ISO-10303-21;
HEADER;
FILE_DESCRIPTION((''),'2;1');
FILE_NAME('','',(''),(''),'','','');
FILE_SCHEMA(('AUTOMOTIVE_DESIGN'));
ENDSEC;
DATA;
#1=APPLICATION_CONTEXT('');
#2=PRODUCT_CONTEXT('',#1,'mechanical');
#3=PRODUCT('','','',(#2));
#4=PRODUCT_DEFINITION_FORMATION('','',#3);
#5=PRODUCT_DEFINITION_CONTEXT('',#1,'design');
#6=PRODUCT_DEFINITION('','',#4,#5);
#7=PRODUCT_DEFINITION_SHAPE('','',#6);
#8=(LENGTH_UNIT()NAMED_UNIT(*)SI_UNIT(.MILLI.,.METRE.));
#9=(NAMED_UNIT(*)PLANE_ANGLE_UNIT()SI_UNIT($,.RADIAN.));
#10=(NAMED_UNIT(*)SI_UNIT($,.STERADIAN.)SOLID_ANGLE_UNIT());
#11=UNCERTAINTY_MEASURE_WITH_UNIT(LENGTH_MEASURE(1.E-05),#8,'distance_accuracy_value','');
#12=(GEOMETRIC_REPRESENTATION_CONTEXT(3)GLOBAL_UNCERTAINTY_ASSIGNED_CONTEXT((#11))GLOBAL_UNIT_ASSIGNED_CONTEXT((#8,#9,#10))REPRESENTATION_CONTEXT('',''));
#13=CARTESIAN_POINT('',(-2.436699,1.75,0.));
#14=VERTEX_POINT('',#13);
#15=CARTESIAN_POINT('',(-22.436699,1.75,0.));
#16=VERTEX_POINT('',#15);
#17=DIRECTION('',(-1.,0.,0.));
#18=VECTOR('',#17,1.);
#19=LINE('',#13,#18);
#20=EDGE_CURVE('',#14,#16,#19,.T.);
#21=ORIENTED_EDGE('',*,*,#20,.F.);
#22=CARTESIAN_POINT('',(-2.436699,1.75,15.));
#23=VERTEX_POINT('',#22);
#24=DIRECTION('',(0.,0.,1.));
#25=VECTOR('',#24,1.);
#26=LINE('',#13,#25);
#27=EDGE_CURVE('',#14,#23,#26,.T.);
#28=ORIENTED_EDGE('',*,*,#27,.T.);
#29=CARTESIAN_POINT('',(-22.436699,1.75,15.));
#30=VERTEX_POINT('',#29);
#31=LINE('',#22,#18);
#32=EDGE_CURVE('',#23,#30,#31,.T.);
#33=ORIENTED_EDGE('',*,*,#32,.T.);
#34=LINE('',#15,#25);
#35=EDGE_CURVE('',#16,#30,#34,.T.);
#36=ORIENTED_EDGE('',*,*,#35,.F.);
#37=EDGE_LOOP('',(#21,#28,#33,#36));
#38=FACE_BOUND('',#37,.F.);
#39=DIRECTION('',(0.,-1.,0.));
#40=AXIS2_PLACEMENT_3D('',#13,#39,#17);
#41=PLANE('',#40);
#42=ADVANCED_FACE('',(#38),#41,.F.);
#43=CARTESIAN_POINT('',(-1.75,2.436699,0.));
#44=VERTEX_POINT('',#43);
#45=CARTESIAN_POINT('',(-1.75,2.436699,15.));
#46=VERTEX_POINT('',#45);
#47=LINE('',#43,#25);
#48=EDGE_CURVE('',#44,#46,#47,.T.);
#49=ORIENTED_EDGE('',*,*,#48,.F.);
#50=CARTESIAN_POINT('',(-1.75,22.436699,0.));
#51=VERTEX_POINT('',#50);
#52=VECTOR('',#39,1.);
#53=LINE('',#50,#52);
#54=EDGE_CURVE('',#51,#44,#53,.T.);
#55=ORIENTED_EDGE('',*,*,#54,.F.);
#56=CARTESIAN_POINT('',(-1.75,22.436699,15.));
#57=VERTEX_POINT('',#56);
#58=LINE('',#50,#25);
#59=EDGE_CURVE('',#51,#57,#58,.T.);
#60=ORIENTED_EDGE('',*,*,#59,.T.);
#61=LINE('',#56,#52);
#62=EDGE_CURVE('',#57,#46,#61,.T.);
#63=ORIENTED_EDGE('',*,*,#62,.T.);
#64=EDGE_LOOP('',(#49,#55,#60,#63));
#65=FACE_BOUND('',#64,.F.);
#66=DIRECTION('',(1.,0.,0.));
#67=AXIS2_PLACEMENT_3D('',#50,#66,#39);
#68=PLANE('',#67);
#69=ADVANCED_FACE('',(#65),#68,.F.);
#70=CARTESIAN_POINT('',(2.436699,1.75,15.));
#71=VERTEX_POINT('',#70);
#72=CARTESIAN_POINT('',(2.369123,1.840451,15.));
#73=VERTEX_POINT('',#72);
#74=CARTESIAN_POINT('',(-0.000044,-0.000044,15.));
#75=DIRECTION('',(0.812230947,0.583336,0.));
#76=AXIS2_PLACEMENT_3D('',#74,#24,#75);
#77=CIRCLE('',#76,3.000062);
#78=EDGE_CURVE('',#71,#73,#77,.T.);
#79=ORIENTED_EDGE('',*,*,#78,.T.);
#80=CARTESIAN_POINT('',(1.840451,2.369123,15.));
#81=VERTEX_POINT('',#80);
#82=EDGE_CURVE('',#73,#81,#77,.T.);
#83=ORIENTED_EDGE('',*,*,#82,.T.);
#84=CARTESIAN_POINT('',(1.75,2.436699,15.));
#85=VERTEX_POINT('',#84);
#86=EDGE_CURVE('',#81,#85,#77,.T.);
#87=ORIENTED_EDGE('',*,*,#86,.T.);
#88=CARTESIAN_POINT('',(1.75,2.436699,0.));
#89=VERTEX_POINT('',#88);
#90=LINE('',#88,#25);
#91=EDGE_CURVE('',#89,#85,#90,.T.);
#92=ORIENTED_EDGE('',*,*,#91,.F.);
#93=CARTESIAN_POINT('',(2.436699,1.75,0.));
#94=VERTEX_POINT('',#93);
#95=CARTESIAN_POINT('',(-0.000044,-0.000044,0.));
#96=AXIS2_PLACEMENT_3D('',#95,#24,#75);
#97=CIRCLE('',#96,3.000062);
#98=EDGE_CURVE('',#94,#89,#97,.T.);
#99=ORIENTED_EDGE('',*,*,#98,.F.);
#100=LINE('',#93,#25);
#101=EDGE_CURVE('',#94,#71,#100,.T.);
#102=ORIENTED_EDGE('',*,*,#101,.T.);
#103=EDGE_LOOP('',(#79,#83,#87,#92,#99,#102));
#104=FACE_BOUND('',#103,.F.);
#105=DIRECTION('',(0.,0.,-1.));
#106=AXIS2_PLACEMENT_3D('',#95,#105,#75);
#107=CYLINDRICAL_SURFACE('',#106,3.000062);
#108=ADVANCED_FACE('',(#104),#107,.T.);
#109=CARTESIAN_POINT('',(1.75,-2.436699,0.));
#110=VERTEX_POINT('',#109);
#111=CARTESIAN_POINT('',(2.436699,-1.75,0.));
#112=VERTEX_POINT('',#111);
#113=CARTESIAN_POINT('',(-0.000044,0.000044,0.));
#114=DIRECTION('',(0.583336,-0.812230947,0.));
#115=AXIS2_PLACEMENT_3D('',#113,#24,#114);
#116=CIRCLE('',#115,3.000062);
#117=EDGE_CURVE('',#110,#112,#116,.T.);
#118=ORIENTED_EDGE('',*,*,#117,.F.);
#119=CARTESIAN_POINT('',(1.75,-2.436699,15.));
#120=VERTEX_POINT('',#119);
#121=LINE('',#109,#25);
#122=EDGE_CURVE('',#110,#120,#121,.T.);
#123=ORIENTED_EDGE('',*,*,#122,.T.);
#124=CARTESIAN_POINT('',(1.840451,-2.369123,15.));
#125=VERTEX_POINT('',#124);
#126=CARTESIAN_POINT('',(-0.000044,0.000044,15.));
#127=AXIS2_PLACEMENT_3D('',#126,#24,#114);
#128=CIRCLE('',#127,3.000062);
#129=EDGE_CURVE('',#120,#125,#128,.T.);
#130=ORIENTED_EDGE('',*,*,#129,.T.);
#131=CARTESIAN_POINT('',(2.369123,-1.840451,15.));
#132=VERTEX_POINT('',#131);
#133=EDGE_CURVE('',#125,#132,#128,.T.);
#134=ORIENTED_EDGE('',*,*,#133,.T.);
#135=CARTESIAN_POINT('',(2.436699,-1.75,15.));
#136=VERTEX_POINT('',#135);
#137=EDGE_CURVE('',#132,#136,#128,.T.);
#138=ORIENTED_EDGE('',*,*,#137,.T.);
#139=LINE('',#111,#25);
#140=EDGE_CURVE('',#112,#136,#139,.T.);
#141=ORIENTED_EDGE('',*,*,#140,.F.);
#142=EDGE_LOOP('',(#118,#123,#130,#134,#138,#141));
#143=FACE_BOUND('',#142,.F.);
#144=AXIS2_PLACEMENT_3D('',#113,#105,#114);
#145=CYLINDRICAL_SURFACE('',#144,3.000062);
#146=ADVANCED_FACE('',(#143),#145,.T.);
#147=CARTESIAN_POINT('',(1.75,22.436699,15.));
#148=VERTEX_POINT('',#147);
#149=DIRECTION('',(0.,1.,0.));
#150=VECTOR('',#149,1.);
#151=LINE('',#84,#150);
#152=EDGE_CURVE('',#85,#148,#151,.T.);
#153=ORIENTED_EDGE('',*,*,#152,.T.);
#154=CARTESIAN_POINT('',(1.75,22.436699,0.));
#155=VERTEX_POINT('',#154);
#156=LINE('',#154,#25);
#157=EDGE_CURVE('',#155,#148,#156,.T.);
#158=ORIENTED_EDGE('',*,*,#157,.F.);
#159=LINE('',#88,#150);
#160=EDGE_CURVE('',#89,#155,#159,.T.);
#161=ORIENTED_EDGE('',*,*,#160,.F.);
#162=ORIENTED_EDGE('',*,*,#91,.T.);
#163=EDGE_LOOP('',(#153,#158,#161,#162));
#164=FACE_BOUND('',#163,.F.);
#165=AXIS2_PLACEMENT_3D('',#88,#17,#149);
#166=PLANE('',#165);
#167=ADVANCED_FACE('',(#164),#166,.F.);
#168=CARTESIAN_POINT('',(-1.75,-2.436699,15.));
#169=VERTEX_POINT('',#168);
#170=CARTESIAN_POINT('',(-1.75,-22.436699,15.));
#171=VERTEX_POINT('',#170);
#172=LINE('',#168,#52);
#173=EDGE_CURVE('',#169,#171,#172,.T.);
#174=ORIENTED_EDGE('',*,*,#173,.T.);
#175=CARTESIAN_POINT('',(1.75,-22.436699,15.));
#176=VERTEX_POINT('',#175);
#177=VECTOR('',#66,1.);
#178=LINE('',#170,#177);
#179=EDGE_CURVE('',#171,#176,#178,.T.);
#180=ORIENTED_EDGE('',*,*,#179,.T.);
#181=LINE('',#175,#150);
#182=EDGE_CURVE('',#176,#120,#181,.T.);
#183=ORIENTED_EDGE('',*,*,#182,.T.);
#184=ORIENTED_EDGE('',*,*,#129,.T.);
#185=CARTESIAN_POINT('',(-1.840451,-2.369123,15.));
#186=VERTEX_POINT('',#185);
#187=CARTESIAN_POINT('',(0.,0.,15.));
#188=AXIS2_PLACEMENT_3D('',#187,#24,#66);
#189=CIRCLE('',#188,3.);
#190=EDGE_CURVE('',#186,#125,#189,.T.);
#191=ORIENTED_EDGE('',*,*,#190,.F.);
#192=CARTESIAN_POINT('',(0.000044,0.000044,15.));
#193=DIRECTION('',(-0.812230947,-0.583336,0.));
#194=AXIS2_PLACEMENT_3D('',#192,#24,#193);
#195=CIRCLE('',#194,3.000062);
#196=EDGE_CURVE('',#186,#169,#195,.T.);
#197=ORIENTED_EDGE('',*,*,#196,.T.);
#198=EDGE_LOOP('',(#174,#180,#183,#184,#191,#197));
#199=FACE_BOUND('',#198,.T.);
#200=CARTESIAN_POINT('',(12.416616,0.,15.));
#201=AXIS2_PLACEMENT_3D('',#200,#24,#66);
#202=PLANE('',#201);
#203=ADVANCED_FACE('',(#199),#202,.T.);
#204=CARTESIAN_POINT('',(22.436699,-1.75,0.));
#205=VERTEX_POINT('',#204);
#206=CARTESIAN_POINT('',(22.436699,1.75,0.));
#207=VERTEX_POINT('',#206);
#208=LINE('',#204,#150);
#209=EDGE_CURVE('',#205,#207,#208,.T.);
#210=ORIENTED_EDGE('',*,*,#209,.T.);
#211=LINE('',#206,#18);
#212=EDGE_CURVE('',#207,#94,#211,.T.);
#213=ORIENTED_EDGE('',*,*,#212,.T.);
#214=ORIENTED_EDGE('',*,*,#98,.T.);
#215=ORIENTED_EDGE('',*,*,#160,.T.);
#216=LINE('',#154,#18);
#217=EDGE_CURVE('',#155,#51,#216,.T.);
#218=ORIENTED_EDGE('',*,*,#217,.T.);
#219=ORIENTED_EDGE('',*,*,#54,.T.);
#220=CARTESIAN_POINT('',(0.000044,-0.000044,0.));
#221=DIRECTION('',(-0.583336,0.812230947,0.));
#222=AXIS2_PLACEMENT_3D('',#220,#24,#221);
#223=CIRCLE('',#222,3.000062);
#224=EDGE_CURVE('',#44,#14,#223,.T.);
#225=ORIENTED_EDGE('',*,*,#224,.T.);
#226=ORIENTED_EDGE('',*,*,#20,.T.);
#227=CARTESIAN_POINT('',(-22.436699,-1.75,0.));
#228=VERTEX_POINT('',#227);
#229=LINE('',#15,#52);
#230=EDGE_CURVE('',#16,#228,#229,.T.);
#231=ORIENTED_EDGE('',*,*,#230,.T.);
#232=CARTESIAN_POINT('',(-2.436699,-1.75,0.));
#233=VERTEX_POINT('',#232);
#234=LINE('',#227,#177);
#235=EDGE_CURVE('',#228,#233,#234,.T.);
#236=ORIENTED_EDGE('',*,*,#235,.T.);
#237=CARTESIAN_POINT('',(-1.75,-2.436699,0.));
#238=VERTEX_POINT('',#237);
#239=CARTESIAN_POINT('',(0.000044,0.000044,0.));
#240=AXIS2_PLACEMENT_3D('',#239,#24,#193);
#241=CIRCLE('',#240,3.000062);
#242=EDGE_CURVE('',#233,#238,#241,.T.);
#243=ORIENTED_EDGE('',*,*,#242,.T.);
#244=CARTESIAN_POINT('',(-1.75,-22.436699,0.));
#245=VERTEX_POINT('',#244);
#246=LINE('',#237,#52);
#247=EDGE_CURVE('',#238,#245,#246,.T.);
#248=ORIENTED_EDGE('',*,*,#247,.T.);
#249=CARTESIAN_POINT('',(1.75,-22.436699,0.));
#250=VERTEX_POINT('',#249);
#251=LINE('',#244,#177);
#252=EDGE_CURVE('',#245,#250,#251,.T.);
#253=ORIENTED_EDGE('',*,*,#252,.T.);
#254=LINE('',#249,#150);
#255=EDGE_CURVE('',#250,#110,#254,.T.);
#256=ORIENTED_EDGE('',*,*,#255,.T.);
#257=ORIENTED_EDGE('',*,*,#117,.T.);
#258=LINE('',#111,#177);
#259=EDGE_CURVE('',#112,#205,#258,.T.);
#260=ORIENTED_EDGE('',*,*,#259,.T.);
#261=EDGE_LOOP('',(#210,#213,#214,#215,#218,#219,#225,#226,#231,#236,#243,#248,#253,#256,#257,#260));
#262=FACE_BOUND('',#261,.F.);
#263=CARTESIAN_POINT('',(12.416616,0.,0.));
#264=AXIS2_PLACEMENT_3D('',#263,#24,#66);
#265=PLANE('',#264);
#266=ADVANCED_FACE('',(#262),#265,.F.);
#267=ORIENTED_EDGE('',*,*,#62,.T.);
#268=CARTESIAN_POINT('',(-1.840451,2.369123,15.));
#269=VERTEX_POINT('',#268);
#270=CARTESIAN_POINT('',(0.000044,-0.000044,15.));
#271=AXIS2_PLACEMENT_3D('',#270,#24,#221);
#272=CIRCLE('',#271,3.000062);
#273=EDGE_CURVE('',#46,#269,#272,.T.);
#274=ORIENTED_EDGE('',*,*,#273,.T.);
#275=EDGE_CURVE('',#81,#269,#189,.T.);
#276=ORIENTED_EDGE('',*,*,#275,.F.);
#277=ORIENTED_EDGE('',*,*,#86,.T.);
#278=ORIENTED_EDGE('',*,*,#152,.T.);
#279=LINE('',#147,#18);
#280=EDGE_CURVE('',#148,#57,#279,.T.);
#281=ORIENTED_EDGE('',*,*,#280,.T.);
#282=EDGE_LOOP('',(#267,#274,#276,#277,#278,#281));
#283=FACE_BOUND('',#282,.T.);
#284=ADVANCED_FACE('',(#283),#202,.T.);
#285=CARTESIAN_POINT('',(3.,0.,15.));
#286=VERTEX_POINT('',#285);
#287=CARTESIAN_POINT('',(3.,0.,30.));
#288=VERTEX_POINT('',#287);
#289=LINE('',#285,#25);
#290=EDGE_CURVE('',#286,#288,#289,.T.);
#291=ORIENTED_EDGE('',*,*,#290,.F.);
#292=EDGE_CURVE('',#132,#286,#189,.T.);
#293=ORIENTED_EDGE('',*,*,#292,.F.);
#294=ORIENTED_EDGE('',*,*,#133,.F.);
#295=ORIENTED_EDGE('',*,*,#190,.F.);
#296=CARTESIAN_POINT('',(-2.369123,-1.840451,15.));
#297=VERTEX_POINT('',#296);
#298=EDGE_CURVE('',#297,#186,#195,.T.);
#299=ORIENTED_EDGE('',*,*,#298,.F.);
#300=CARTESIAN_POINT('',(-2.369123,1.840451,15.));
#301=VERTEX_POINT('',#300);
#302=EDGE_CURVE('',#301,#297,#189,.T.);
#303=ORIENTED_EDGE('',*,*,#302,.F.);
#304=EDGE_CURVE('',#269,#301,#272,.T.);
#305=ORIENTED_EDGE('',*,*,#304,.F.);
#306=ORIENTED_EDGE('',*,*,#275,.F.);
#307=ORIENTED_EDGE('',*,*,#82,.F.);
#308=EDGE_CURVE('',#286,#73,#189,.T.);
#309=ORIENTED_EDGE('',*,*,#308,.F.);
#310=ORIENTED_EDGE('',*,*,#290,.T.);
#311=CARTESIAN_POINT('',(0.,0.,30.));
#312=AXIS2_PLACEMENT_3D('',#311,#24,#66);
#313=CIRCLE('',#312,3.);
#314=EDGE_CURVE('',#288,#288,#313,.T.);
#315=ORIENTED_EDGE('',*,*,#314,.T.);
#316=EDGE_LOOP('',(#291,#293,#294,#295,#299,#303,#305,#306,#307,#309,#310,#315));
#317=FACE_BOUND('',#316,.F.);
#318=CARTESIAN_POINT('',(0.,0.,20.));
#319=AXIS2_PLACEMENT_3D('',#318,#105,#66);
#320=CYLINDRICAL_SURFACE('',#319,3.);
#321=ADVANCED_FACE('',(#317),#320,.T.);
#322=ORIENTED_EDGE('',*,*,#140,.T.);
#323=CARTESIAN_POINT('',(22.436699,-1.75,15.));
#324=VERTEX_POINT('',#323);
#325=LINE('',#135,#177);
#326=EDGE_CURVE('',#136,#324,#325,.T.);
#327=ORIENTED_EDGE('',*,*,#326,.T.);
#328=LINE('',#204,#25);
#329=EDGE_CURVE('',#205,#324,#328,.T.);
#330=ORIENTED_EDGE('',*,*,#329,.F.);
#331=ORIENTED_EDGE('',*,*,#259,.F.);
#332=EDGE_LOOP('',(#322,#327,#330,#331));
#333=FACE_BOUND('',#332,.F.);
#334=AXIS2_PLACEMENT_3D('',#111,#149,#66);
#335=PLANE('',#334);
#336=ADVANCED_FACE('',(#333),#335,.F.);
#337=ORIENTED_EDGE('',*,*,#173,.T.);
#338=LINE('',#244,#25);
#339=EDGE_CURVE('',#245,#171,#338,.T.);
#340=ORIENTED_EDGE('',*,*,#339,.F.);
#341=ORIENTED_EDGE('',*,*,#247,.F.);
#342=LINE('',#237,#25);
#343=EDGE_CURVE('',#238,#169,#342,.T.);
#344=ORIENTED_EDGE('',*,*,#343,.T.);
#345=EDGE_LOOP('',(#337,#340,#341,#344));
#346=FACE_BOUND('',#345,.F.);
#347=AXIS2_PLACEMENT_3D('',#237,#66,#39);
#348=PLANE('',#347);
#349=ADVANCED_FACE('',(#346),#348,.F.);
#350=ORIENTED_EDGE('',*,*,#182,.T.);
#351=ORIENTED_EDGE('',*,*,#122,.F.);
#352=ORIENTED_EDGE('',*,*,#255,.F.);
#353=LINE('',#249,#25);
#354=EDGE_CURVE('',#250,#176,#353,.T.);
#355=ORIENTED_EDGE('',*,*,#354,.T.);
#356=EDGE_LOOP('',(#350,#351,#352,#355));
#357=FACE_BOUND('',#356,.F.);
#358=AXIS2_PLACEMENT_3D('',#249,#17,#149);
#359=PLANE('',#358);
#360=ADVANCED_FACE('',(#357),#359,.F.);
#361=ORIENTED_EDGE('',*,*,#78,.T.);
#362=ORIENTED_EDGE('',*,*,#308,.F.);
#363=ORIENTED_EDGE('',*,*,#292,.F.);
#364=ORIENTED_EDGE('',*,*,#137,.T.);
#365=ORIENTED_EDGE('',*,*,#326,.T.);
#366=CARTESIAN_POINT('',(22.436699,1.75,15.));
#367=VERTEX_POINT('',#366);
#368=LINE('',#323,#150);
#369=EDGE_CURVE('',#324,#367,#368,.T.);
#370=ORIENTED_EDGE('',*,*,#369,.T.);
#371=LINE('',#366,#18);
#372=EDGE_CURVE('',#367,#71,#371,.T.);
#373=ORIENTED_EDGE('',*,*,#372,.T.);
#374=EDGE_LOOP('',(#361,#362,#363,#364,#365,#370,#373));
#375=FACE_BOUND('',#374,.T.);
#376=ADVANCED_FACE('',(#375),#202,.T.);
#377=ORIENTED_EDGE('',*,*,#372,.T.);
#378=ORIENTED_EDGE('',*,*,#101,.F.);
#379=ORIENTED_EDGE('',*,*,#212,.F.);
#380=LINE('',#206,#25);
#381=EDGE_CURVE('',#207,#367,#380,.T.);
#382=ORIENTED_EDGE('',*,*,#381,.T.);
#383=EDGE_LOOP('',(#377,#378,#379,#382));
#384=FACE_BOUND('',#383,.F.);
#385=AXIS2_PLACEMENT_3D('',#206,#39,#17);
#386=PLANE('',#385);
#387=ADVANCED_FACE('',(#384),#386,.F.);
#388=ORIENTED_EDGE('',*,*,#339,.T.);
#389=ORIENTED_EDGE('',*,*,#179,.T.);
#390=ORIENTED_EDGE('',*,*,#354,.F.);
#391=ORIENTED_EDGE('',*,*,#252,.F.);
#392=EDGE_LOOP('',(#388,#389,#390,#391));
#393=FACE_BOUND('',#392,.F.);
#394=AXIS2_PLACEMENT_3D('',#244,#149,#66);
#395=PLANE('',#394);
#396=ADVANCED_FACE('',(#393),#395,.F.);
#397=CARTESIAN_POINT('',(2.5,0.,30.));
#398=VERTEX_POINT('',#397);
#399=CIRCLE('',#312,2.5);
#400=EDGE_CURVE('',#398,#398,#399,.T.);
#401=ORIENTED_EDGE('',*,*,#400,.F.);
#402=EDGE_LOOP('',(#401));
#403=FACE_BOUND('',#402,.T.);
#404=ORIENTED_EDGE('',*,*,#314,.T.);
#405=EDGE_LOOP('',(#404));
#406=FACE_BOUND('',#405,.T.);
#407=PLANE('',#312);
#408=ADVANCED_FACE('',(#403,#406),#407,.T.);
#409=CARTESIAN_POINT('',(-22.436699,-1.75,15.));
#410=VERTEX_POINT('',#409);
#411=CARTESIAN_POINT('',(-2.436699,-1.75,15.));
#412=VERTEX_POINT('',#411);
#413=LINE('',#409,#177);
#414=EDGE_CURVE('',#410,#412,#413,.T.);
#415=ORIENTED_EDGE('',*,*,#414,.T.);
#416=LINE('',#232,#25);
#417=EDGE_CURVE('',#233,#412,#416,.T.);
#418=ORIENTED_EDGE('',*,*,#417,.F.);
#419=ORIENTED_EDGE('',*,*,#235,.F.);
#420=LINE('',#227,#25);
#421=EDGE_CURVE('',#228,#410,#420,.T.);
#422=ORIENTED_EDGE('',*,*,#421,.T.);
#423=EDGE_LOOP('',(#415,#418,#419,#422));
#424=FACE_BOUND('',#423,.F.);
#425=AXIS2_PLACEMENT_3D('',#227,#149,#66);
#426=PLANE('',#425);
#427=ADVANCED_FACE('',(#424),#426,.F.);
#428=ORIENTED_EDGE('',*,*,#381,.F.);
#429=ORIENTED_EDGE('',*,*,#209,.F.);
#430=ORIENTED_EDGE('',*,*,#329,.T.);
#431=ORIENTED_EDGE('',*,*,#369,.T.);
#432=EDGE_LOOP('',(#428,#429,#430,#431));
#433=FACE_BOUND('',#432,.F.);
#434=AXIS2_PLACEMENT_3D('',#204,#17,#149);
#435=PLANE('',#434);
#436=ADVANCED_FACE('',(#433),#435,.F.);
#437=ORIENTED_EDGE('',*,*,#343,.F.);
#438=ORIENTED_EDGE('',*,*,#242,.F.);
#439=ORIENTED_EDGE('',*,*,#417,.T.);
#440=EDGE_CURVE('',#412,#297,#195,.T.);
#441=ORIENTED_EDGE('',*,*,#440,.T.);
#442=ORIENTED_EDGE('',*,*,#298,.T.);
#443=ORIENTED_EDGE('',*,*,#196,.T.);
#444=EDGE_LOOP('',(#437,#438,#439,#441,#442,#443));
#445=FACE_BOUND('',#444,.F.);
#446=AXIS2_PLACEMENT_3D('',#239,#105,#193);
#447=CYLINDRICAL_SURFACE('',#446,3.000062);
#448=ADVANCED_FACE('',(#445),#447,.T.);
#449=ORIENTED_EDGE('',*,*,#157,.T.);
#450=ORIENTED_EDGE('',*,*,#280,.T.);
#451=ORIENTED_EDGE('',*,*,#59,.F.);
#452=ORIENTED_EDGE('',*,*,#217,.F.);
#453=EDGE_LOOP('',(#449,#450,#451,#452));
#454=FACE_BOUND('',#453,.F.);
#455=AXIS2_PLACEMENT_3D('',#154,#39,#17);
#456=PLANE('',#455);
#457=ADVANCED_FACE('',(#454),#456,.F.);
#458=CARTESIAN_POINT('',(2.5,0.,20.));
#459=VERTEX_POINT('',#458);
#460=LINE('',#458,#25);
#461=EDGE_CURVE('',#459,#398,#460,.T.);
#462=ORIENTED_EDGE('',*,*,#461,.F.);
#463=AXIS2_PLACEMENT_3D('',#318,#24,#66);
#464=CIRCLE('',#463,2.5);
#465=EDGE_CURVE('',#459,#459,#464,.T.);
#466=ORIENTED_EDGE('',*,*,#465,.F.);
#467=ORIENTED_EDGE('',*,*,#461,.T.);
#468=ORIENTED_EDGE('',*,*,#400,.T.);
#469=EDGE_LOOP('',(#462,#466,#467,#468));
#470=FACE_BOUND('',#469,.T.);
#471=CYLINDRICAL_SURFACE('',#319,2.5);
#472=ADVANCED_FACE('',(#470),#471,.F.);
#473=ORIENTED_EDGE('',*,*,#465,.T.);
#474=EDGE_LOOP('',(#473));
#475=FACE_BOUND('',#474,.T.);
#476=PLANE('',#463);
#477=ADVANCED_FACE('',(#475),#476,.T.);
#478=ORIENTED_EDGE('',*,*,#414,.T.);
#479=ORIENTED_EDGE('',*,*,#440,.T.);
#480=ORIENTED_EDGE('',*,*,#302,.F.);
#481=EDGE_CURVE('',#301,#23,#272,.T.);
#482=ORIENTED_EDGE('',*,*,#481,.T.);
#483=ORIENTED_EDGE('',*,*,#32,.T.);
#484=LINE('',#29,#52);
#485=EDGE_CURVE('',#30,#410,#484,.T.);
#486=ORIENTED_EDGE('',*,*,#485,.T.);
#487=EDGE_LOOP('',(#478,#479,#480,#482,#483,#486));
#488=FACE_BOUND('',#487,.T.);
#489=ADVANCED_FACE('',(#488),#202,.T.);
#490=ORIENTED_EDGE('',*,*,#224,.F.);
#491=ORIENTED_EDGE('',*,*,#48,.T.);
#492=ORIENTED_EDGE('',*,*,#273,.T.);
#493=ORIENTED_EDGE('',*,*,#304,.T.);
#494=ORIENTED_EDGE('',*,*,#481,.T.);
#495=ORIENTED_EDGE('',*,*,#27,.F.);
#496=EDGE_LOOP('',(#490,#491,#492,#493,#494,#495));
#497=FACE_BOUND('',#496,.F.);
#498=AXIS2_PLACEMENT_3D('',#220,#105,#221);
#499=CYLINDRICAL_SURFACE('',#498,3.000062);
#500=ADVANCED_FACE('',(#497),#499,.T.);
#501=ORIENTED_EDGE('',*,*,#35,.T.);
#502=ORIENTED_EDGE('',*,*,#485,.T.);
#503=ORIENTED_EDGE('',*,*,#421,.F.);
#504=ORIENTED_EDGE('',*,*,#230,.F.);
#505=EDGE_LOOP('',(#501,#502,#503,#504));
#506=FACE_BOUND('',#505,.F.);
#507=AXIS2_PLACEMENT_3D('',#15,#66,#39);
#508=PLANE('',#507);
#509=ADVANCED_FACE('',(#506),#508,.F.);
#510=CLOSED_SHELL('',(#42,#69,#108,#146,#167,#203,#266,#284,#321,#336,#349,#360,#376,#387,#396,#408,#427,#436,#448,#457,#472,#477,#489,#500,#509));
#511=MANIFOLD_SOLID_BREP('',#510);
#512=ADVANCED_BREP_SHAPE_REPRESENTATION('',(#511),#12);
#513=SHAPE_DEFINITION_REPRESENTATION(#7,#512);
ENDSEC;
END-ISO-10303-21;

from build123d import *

# Parameters (mm, degrees)
F1_DEPTH = 15
F2_R     = 3
F3_DEPTH = 5
F4_R     = 3
F4_R_2   = 2.5
F5_DEPTH = 10


with BuildPart() as f1:
    # F0 (on Top) → F1 (new body)
    with BuildSketch(Plane.XY):
        with BuildLine():
            ThreePointArc((2.436699, 1.75), (2.855704, 0.919213), (3, 0))
            ThreePointArc((3, 0), (2.855704, -0.919213), (2.436699, -1.75))
            Line((2.436699, -1.75), (22.436699, -1.75))
            Line((22.436699, -1.75), (22.436699, 1.75))
            Line((22.436699, 1.75), (2.436699, 1.75))
        make_face()
        with BuildLine():
            ThreePointArc((2.436699, -1.75), (2.855704, -0.919213), (3, 0))
            ThreePointArc((3, 0), (2.855704, 0.919213), (2.436699, 1.75))
            ThreePointArc((2.436699, 1.75), (2.12132, 2.12132), (1.75, 2.436699))
            ThreePointArc((1.75, 2.436699), (0, 3), (-1.75, 2.436699))
            ThreePointArc((-1.75, 2.436699), (-2.12132, 2.12132), (-2.436699, 1.75))
            ThreePointArc((-2.436699, 1.75), (-3, 0), (-2.436699, -1.75))
            ThreePointArc((-2.436699, -1.75), (-2.12132, -2.12132), (-1.75, -2.436699))
            ThreePointArc((-1.75, -2.436699), (0, -3), (1.75, -2.436699))
            ThreePointArc((1.75, -2.436699), (2.12132, -2.12132), (2.436699, -1.75))
        make_face()
        with BuildLine():
            Line((1.75, -22.436699), (1.75, -2.436699))
            ThreePointArc((1.75, -2.436699), (0, -3), (-1.75, -2.436699))
            Line((-1.75, -2.436699), (-1.75, -22.436699))
            Line((-1.75, -22.436699), (1.75, -22.436699))
        make_face()
        with BuildLine():
            ThreePointArc((-2.436699, -1.75), (-3, 0), (-2.436699, 1.75))
            Line((-2.436699, 1.75), (-22.436699, 1.75))
            Line((-22.436699, 1.75), (-22.436699, -1.75))
            Line((-22.436699, -1.75), (-2.436699, -1.75))
        make_face()
        with BuildLine():
            ThreePointArc((-1.75, 2.436699), (0, 3), (1.75, 2.436699))
            Line((1.75, 2.436699), (1.75, 22.436699))
            Line((1.75, 22.436699), (-1.75, 22.436699))
            Line((-1.75, 22.436699), (-1.75, 2.436699))
        make_face()
    extrude(amount=F1_DEPTH)

    # F2 (on face) → F3 (join)
    with BuildSketch(Plane.XY.offset(15)):
        Circle(F2_R)
    extrude(amount=F3_DEPTH)

    # F4 (on face) → F5 (join)
    with BuildSketch(Plane.XY.offset(20)):
        Circle(F4_R)
        Circle(F4_R_2, mode=Mode.SUBTRACT)
    extrude(amount=F5_DEPTH)


solid = f1.part
